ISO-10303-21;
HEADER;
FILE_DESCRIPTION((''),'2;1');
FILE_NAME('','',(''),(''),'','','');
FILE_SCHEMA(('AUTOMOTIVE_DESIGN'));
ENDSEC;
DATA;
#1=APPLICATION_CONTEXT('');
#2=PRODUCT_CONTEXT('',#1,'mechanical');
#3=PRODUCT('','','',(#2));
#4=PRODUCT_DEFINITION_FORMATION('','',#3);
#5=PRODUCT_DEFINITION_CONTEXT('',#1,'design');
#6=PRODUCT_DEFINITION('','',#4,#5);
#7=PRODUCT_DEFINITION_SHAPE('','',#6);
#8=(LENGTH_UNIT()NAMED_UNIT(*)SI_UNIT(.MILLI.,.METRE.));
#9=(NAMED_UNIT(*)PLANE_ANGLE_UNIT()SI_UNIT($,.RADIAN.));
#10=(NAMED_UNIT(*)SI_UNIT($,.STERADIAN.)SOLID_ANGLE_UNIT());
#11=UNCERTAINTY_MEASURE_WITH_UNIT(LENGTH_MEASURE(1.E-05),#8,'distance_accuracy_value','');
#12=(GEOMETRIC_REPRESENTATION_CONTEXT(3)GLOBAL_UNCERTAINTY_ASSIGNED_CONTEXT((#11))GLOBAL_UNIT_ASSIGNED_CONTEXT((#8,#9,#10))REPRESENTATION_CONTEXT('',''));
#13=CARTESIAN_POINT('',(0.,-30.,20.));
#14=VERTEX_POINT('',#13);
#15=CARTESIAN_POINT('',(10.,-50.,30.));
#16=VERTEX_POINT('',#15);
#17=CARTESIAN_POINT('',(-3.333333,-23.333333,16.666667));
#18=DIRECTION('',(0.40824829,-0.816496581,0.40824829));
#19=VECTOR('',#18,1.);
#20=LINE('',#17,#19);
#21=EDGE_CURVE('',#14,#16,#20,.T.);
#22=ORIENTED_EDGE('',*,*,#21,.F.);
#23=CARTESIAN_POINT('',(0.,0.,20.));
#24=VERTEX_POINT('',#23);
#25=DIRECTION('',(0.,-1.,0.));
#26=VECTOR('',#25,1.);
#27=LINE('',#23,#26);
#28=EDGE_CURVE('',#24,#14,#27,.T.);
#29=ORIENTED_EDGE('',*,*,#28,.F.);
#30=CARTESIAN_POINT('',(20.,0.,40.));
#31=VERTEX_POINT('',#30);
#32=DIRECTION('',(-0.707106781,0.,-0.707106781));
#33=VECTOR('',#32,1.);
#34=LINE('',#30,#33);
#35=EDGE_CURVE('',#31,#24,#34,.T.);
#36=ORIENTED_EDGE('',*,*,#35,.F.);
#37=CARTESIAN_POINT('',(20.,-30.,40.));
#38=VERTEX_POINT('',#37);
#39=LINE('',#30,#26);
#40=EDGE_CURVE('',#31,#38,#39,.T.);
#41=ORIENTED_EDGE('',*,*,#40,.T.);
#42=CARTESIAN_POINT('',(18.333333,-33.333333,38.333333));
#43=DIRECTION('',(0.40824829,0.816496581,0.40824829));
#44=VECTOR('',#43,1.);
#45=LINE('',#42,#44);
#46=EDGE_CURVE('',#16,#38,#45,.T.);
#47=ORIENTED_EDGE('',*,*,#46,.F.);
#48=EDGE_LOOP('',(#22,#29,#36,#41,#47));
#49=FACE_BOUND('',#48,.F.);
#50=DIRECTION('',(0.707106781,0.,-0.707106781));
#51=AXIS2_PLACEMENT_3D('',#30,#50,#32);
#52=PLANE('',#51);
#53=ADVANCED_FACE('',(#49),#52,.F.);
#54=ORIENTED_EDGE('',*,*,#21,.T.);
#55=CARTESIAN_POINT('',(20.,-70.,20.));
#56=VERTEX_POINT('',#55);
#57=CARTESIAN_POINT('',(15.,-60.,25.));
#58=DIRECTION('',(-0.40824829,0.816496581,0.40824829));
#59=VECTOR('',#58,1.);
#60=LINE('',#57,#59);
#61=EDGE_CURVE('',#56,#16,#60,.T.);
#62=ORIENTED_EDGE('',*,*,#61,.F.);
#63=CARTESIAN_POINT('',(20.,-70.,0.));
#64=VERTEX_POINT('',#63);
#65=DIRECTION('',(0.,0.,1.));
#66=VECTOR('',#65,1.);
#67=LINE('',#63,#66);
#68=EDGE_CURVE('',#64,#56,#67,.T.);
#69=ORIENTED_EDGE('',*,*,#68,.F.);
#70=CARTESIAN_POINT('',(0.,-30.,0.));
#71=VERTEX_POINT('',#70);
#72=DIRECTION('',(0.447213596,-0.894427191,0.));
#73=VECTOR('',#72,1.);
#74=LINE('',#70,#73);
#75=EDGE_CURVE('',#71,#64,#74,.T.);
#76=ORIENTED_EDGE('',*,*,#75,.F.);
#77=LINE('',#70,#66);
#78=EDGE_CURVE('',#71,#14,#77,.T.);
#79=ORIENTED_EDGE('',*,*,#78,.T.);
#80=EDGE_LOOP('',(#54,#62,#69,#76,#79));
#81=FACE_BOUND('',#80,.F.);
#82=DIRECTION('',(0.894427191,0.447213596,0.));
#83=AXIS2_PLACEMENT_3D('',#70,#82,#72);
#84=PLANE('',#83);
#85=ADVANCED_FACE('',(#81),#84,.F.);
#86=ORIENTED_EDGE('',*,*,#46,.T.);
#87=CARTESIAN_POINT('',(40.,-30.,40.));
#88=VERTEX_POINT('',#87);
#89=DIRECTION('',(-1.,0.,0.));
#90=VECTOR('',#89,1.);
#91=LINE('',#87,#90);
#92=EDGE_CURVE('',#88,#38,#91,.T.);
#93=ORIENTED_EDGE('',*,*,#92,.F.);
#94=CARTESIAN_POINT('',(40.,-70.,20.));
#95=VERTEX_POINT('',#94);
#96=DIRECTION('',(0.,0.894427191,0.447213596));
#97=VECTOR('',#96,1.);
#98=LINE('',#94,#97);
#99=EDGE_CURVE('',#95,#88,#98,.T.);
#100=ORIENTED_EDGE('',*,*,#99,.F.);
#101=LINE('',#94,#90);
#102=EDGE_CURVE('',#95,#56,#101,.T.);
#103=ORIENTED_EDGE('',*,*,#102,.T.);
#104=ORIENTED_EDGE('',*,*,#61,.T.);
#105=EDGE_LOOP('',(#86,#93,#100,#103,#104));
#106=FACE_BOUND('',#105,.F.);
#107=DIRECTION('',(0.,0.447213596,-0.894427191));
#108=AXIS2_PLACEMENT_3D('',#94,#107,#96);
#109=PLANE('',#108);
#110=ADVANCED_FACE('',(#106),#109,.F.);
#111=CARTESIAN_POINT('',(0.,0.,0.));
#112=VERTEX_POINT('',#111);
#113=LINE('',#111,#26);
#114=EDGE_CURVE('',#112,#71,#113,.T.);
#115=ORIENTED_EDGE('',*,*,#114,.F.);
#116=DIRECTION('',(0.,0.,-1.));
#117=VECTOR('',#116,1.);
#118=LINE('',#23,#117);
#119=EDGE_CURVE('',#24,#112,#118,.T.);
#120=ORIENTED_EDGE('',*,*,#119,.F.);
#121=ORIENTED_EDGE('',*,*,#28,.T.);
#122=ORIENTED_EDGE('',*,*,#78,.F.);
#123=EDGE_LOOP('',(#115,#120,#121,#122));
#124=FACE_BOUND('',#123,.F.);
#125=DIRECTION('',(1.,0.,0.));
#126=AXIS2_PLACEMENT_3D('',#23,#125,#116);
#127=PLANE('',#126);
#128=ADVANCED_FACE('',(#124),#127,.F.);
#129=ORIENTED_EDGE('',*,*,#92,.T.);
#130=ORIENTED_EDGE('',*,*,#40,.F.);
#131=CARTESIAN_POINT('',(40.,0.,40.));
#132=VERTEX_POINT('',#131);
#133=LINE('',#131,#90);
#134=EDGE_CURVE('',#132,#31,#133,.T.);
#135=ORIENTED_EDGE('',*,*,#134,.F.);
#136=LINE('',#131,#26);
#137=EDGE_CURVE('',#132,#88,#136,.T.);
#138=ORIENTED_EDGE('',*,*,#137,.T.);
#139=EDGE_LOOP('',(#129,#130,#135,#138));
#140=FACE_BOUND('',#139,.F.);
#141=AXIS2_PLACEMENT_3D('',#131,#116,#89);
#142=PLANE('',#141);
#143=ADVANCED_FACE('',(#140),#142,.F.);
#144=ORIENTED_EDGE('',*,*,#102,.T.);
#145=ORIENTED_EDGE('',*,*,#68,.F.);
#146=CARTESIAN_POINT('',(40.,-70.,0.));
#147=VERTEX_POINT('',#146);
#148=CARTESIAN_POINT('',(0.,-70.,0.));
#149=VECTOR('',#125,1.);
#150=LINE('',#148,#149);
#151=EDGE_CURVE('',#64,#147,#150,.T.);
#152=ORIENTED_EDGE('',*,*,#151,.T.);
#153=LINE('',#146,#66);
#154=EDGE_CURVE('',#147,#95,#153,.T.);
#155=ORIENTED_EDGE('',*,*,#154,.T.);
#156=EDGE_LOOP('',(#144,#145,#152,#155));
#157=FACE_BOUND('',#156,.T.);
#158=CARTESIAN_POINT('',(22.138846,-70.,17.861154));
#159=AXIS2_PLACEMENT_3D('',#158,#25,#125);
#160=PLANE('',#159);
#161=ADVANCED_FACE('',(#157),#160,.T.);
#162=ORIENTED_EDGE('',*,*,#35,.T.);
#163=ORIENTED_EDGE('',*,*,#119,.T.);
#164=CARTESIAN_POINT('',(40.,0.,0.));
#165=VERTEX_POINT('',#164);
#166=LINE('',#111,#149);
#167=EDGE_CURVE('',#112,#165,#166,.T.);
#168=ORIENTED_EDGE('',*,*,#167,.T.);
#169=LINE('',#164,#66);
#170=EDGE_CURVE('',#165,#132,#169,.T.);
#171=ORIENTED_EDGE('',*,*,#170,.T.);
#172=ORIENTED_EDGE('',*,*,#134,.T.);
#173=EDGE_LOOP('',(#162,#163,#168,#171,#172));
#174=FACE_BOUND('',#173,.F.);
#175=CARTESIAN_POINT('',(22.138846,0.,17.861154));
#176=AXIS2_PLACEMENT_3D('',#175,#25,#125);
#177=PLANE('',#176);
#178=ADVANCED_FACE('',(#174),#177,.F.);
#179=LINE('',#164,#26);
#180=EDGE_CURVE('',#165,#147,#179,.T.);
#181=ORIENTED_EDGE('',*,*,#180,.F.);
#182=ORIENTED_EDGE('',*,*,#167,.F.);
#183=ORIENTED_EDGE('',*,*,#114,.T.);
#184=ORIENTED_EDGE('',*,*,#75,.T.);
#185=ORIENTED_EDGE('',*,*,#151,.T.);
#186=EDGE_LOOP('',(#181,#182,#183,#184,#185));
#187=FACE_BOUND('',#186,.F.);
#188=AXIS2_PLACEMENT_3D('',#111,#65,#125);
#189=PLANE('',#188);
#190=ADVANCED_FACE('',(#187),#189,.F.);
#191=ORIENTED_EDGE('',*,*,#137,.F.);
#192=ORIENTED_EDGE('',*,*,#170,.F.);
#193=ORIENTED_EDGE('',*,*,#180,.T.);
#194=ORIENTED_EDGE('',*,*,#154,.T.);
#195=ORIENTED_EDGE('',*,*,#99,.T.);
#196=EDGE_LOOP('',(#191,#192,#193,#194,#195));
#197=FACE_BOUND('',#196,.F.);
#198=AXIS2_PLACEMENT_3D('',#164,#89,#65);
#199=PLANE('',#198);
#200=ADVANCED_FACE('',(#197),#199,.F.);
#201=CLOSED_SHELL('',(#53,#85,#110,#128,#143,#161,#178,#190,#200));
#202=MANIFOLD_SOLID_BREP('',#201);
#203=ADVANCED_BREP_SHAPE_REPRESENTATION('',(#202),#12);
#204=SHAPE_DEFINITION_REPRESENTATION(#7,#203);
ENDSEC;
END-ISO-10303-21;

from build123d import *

# Parameters (mm, degrees)
F1_DEPTH = 70
F3_DEPTH = 40.001
F5_DEPTH = 40.001


with BuildPart() as f1:
    # F0 (on Front) → F1 (new body)
    with BuildSketch(Plane.XZ):
        Polygon((0, 20), (0, 0), (40, 0), (40, 40), (20, 40), align=None)
    extrude(amount=F1_DEPTH)

    # F2 (on face) → F3 (cut, through all)
    with BuildSketch(Plane(origin=(0, 0, 0), x_dir=(1, 0, 0), z_dir=(0, 0, -1))):
        Polygon((0, 30), (20, 70), (0, 70), align=None)
    extrude(amount=-F3_DEPTH, mode=Mode.SUBTRACT)

    # F4 (on face) → F5 (cut, through all)
    with BuildSketch(Plane.YZ.offset(40)):
        Polygon((-70, 40), (-70, 20), (-30, 40), align=None)
    extrude(amount=-F5_DEPTH, mode=Mode.SUBTRACT)


solid = f1.part
